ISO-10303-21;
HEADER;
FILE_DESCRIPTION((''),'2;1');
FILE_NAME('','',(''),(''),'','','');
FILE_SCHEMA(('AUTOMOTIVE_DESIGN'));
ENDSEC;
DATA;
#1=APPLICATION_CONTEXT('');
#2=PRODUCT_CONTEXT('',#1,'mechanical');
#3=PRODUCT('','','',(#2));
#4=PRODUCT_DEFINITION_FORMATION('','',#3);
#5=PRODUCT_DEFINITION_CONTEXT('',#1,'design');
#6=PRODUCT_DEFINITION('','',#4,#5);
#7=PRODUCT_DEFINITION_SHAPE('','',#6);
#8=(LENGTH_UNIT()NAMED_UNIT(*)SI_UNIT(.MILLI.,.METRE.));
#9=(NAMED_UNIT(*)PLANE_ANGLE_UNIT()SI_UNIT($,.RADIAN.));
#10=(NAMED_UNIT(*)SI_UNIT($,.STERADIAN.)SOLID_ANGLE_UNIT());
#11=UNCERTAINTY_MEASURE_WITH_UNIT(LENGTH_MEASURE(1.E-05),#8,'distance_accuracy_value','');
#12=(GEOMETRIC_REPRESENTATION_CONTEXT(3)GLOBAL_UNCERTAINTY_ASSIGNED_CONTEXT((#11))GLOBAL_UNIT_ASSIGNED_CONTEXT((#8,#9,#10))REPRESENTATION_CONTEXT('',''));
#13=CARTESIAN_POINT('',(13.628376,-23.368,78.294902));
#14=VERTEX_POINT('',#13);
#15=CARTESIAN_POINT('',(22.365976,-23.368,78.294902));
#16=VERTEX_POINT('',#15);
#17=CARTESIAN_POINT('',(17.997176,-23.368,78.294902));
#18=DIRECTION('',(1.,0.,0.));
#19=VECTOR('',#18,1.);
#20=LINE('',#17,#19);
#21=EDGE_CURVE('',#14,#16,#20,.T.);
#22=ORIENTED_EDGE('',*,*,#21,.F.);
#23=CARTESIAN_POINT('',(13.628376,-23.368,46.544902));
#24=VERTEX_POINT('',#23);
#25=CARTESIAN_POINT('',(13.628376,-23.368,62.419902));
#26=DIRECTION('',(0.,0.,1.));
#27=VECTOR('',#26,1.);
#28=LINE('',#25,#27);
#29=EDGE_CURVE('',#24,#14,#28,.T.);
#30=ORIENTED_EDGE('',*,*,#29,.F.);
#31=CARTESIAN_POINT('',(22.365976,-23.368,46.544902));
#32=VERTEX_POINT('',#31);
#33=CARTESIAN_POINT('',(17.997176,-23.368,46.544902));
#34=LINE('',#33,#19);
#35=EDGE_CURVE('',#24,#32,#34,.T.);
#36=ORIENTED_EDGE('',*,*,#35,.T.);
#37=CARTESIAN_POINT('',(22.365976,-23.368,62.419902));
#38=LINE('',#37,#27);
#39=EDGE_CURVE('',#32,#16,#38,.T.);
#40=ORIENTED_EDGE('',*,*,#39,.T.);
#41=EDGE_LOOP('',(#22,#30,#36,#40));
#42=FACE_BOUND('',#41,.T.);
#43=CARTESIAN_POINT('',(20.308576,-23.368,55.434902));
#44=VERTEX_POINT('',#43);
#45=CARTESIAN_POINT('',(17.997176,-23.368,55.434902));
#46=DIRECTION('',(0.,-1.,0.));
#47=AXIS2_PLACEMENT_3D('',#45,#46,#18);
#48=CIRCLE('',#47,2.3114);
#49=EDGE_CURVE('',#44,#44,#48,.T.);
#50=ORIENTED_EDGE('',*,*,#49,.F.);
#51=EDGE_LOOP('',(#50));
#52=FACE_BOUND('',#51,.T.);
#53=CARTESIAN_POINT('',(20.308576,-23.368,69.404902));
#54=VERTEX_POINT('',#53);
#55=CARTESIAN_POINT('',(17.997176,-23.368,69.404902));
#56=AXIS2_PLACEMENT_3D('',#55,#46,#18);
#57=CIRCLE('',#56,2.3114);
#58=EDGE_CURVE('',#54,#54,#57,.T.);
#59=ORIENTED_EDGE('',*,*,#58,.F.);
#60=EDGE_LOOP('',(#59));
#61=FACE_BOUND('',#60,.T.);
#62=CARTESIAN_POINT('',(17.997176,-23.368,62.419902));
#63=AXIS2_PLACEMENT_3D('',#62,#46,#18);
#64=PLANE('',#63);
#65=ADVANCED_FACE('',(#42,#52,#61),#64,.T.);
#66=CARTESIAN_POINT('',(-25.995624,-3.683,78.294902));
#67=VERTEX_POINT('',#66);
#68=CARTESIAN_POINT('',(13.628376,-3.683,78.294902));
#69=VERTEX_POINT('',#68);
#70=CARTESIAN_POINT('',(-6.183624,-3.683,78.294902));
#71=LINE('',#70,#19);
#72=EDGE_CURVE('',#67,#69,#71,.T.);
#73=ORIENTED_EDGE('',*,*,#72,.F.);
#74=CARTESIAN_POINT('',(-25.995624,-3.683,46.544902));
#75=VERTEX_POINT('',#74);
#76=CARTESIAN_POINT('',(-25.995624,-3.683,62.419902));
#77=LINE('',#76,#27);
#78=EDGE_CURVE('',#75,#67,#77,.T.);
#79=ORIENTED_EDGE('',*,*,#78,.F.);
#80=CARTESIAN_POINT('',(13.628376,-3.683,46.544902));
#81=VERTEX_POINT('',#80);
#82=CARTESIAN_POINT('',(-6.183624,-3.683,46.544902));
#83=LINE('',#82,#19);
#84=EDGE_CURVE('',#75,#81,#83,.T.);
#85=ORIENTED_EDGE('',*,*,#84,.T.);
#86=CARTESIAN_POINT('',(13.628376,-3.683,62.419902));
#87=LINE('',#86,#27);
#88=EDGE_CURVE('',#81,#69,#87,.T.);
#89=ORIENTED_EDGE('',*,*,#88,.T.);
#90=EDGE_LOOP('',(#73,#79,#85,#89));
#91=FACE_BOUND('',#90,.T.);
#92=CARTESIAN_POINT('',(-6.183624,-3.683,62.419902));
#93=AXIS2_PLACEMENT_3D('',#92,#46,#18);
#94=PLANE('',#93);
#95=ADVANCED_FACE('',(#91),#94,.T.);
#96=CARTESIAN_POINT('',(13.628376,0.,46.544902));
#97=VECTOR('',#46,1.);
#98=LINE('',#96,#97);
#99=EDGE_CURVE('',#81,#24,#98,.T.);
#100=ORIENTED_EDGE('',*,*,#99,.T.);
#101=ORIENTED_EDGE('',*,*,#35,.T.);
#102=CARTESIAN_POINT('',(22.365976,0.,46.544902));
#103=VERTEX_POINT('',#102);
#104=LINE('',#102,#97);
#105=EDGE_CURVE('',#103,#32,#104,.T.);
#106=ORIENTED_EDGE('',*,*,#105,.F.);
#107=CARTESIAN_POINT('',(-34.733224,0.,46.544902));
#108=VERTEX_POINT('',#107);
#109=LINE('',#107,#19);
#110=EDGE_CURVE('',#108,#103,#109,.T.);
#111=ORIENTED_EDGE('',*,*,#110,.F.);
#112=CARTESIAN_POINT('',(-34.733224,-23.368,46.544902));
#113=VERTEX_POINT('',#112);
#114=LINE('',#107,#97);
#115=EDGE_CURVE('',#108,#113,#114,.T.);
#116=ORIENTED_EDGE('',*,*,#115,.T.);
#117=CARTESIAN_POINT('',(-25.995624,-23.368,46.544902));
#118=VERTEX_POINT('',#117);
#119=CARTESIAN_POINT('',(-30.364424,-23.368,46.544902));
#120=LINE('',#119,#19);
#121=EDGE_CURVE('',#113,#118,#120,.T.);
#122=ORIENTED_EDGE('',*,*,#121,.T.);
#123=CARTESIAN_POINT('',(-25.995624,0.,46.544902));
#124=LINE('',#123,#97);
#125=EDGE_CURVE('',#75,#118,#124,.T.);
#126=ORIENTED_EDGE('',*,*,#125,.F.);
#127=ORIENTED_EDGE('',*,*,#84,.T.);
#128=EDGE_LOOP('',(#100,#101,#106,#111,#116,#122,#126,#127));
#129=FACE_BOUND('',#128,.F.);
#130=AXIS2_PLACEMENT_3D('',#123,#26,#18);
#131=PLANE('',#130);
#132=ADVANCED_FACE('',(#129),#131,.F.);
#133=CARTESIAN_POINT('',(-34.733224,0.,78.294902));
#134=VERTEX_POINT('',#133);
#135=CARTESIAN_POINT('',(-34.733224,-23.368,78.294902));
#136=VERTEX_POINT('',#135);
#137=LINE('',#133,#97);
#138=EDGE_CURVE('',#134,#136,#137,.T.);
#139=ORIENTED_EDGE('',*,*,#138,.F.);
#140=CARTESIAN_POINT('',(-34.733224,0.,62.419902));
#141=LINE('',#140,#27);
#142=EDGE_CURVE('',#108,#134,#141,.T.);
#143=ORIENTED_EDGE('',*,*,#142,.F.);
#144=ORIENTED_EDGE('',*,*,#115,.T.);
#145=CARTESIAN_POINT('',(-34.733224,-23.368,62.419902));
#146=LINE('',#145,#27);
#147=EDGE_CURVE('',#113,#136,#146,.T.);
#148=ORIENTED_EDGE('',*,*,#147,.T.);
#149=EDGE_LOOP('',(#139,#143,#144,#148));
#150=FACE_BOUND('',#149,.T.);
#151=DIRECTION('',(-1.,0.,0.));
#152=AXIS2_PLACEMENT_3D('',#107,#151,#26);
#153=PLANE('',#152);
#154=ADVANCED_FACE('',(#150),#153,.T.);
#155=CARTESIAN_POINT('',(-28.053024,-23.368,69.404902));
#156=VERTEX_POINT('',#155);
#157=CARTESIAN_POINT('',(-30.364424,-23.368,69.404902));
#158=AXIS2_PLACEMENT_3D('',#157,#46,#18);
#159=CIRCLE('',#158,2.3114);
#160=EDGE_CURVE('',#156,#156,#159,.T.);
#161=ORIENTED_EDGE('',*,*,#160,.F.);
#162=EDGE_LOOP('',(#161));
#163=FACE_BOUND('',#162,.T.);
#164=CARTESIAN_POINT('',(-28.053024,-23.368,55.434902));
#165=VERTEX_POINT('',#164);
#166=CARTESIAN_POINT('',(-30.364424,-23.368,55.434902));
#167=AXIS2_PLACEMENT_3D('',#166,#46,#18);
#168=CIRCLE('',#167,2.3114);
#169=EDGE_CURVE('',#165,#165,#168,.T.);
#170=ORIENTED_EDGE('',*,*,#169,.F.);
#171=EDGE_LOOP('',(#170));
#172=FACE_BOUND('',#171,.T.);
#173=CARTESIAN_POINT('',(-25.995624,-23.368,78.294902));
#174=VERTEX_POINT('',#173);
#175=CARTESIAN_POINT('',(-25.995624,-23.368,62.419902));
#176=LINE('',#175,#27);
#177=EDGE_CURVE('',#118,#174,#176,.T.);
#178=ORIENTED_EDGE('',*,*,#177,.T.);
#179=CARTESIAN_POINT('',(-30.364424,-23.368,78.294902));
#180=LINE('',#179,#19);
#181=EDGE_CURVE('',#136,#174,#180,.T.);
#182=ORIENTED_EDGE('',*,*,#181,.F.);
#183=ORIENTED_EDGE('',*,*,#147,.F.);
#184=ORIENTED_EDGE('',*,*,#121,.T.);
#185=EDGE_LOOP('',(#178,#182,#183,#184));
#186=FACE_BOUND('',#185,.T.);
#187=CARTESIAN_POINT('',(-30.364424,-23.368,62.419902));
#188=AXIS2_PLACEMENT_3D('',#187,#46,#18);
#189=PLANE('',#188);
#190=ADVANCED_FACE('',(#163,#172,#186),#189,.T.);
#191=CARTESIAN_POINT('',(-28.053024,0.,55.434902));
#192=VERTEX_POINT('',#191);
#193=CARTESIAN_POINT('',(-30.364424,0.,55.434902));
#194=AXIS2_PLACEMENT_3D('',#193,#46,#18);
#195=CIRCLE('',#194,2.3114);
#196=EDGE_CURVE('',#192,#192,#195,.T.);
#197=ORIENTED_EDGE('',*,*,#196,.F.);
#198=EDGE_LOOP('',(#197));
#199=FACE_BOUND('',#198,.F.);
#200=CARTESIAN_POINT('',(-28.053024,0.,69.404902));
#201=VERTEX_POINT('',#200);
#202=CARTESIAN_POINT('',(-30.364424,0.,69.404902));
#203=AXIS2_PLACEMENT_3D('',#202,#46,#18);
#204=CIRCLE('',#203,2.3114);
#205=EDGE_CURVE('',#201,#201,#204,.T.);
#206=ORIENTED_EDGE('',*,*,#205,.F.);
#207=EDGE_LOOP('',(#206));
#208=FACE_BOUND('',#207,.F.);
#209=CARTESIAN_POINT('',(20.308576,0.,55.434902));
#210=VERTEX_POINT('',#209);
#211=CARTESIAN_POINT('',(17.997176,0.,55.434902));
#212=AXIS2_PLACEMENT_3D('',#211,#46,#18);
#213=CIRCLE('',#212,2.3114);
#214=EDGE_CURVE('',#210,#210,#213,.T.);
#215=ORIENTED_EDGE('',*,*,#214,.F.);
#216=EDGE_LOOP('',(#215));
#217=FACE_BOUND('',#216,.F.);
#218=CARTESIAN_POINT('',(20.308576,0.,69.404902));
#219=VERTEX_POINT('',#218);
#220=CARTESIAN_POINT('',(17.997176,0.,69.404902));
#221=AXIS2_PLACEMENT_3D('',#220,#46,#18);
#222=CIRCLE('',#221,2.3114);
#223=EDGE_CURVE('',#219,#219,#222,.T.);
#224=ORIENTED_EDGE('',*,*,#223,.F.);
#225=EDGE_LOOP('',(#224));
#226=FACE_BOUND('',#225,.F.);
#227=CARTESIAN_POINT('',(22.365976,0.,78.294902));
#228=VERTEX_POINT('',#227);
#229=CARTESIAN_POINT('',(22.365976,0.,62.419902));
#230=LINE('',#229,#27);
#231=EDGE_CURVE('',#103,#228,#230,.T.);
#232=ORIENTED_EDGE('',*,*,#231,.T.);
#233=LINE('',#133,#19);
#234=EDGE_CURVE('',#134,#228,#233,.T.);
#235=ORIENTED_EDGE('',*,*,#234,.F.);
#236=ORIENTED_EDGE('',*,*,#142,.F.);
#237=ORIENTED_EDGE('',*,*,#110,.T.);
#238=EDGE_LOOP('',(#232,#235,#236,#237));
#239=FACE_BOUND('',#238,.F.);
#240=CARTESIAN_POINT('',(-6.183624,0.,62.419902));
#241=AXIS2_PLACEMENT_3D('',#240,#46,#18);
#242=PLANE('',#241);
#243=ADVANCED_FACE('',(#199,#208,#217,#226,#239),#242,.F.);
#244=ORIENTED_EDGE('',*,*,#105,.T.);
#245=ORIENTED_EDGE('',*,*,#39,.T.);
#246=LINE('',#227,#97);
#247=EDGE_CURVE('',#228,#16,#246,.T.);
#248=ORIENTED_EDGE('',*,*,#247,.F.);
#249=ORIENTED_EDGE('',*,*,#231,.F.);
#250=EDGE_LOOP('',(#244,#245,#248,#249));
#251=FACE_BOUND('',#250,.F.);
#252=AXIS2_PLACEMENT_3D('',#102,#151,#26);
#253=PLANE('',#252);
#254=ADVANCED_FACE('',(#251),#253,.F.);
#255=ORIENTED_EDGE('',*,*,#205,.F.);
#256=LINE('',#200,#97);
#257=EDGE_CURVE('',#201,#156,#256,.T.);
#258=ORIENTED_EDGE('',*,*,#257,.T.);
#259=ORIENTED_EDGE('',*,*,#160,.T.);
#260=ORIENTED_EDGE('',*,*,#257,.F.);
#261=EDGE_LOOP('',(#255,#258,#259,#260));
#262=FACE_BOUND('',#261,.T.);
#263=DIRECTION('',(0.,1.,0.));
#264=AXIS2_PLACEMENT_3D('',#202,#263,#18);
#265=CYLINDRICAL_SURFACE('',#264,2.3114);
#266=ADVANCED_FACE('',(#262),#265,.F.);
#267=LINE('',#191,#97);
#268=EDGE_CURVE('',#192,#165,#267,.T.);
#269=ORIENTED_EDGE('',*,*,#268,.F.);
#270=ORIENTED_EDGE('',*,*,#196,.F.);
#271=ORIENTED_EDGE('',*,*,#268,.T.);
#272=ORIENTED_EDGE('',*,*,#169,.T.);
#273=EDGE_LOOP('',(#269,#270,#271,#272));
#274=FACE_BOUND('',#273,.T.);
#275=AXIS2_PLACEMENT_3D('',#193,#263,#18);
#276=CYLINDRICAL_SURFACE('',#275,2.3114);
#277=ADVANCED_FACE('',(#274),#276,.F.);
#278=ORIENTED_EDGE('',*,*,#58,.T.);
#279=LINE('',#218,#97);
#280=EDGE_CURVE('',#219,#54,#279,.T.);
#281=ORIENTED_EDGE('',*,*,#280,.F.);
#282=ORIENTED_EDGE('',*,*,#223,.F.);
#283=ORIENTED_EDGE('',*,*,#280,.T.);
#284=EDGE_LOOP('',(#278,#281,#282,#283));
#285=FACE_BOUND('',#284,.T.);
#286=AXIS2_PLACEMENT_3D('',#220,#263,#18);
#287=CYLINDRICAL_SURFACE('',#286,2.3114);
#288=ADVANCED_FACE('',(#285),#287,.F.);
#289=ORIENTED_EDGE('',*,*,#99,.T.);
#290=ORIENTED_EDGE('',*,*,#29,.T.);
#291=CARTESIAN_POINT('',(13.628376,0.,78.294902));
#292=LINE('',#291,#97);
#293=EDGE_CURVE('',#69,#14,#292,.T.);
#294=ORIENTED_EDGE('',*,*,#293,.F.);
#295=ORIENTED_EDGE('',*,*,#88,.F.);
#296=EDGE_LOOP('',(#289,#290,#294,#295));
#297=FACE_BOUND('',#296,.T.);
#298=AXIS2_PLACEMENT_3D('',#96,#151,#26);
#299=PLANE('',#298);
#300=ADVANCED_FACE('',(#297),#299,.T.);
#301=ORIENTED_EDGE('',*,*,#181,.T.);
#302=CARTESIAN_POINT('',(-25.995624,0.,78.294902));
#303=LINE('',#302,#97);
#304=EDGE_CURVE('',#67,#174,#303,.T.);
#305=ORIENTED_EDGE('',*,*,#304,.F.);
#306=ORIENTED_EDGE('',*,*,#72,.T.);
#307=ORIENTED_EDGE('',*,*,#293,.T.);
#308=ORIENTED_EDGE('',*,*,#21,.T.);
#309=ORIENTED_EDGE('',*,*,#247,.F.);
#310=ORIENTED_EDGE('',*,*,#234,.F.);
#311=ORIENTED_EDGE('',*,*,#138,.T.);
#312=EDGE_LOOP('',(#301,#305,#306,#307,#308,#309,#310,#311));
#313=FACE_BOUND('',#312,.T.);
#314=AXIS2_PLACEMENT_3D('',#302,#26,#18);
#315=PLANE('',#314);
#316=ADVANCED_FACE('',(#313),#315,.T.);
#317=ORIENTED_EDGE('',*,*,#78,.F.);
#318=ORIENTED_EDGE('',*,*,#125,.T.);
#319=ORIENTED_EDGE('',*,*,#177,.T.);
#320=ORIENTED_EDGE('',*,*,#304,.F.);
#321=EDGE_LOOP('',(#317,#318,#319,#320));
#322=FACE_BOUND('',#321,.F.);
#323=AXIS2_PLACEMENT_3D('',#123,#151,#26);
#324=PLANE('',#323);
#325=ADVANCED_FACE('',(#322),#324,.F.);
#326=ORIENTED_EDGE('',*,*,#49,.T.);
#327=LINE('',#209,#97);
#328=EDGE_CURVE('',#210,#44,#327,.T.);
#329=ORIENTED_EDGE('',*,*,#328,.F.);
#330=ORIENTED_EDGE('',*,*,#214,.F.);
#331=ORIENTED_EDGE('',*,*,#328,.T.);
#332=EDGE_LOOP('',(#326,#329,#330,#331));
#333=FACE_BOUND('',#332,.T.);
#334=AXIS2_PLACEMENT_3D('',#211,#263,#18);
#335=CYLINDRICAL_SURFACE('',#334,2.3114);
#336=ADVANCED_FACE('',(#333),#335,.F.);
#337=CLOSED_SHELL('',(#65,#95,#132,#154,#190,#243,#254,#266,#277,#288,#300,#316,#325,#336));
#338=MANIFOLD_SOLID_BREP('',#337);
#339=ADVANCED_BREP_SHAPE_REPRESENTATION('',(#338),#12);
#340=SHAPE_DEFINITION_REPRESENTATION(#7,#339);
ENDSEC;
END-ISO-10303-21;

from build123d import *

# Parameters (mm, degrees)
F0_W     = 8.7376
F0_H     = 31.75
F0_R     = 2.3114
F1_DEPTH = 23.368
F0_W_2   = 39.624
F2_DEPTH = 3.683


with BuildPart() as f1:
    # F0 (on Front) → F1 (new body)
    with BuildSketch(Plane.XZ):
        with Locations((-30.364424, 62.419902)):
            Rectangle(F0_W, F0_H)
        with Locations((-30.364424, 55.434902)):
            Circle(F0_R, mode=Mode.SUBTRACT)
        with Locations((-30.364424, 69.404902)):
            Circle(F0_R, mode=Mode.SUBTRACT)
        with Locations((17.997176, 62.419902)):
            Rectangle(F0_W, F0_H)
        with Locations((17.997176, 55.434902)):
            Circle(F0_R, mode=Mode.SUBTRACT)
        with Locations((17.997176, 69.404902)):
            Circle(F0_R, mode=Mode.SUBTRACT)
    extrude(amount=F1_DEPTH)

    # F0 (on Front) → F2 (join)
    with BuildSketch(Plane.XZ):
        with Locations((-6.183624, 62.419902)):
            Rectangle(F0_W_2, F0_H)
    extrude(amount=F2_DEPTH)


solid = f1.part
